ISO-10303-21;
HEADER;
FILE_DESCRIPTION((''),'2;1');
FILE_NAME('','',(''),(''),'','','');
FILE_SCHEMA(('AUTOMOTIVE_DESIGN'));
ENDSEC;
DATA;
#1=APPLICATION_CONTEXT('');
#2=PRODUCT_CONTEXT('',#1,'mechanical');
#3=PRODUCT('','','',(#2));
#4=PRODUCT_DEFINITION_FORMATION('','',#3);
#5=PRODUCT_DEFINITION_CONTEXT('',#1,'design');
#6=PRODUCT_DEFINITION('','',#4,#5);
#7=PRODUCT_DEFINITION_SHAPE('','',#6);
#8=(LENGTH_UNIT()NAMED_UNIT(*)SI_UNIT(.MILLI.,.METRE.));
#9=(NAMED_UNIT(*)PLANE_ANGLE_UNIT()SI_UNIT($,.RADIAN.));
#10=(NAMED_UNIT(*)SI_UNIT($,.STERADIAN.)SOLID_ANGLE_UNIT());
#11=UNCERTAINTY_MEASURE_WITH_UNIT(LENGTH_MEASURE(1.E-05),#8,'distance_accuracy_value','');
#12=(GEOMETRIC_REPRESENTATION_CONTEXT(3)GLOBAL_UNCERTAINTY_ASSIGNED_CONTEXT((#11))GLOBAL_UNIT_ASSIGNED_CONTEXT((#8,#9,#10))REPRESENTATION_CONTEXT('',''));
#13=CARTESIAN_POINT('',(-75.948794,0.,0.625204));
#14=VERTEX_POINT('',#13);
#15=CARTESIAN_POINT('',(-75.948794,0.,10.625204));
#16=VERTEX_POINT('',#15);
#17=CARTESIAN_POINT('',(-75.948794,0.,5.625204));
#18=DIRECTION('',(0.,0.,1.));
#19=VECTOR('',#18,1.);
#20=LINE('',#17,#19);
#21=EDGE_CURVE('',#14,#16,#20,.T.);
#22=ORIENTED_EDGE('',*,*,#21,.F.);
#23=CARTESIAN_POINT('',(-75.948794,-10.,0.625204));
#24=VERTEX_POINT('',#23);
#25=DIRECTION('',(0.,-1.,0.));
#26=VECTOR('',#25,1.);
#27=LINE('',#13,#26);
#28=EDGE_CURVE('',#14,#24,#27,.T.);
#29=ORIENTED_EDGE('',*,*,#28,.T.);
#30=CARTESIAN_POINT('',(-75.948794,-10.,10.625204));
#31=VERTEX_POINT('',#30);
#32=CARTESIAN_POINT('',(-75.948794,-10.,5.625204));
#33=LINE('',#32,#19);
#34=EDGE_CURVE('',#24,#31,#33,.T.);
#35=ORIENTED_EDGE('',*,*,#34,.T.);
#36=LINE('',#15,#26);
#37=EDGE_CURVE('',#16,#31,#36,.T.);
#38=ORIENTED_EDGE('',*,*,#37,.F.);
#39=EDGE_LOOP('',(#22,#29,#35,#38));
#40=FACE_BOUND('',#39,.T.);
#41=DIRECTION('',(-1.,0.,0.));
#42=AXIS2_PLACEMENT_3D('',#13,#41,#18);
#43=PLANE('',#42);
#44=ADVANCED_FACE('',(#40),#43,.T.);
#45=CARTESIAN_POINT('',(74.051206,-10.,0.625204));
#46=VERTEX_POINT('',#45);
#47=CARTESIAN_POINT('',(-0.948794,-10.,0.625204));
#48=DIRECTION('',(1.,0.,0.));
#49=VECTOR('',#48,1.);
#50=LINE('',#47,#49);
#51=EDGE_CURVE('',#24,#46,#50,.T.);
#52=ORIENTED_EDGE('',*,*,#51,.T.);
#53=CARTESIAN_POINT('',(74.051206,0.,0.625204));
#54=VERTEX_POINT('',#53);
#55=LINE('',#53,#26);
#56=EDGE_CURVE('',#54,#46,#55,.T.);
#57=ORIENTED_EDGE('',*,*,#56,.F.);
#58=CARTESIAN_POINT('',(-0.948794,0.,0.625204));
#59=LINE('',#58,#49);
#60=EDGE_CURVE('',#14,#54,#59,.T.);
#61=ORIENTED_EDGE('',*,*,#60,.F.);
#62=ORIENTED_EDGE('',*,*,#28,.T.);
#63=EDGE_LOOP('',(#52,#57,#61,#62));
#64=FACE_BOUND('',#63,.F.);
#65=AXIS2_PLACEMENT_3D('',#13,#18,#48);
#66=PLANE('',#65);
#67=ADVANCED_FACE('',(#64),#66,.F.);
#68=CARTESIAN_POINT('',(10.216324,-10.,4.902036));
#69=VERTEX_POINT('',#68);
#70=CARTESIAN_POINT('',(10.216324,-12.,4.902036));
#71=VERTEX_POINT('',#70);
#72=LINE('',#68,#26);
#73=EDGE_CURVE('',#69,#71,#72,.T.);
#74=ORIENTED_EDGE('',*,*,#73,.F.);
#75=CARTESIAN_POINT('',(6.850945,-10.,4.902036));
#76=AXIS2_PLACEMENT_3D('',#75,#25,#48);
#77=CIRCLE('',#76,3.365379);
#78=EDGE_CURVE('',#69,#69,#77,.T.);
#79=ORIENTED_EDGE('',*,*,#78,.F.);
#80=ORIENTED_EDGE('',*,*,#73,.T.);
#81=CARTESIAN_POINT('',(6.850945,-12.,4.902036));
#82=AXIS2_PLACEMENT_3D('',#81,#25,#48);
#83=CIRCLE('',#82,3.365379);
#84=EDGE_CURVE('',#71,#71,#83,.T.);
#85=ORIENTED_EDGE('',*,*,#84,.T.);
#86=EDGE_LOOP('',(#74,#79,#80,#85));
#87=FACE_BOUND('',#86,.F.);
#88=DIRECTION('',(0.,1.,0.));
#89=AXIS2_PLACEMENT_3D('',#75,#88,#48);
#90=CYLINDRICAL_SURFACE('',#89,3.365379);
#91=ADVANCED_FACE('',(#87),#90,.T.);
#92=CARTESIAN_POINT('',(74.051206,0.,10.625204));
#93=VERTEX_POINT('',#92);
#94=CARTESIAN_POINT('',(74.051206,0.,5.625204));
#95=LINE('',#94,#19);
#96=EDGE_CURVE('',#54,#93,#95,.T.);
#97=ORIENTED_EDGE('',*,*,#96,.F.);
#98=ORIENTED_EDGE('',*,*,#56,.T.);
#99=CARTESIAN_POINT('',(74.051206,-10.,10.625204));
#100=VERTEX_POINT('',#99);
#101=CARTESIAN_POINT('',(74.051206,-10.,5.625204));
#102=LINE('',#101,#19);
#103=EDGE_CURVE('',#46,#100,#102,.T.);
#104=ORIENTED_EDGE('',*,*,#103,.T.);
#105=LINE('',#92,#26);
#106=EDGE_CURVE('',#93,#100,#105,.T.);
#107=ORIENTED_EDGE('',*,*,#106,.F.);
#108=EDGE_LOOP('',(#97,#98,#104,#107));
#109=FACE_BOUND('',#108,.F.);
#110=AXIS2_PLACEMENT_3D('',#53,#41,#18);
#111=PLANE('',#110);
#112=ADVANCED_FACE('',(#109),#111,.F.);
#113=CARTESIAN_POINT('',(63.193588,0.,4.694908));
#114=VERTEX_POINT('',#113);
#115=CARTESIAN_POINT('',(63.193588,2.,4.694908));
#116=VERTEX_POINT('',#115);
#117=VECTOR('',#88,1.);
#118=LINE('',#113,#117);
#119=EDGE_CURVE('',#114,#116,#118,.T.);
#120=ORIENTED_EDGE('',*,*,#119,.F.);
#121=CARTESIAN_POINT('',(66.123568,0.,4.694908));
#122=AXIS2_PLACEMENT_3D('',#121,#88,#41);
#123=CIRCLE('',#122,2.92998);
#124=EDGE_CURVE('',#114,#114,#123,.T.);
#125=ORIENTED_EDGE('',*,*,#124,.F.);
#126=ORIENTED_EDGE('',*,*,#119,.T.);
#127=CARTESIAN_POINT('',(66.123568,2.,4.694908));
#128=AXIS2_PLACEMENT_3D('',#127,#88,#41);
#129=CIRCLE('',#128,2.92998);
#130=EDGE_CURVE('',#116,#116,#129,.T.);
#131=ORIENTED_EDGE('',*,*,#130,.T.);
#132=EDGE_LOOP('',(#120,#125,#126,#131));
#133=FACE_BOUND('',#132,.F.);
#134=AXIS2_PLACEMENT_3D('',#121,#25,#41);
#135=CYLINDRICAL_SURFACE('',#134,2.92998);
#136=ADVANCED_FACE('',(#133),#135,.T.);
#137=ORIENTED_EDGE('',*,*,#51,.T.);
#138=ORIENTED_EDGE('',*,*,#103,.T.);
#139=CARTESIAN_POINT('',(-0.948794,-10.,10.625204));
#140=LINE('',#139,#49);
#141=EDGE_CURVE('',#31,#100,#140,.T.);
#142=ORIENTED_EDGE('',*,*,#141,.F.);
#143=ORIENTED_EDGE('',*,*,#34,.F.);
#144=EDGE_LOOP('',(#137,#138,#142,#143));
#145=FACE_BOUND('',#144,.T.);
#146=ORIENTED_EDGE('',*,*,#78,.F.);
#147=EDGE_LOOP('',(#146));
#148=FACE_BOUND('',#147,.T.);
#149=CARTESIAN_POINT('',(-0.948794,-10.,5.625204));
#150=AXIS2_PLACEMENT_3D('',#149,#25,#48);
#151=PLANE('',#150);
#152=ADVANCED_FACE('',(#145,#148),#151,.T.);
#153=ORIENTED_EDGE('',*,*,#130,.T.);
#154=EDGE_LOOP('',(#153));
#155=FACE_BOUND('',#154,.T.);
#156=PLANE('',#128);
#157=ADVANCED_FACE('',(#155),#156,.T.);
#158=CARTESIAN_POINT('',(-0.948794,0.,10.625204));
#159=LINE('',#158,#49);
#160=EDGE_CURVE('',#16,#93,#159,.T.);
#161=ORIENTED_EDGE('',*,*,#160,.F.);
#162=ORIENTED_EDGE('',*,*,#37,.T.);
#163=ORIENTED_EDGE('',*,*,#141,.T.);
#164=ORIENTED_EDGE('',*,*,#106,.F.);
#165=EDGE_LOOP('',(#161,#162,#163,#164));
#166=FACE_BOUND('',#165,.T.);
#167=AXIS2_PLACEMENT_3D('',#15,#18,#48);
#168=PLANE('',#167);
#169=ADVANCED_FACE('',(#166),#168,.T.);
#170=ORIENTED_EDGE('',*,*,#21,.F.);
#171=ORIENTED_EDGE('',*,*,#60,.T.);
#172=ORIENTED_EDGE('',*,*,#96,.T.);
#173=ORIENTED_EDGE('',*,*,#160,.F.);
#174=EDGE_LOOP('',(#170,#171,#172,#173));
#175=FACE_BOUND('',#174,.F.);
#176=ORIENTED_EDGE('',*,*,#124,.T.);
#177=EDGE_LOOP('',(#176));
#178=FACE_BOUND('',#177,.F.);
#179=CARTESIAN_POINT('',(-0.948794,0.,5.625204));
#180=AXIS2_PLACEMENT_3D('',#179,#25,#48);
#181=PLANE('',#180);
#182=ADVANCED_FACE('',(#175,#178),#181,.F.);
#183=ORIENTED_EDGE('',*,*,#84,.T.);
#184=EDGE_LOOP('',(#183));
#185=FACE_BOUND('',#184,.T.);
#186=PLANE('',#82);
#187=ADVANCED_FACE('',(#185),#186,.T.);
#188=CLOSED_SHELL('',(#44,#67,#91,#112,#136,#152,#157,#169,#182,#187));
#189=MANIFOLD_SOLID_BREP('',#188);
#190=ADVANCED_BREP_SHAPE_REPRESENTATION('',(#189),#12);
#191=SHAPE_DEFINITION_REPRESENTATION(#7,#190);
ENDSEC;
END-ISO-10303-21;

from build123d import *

# Parameters (mm, degrees)
F0_W     = 150
F0_H     = 10
F1_DEPTH = 10
F3_R     = 3.365379
F4_DEPTH = 2
F2_R     = 2.92998
F5_DEPTH = 2


with BuildPart() as f1:
    # F0 (on Front) → F1 (new body)
    with BuildSketch(Plane.XZ):
        with Locations((-0.948794, 5.625204)):
            Rectangle(F0_W, F0_H)
    extrude(amount=F1_DEPTH)

    # F3 (on face) → F4 (join)
    with BuildSketch(Plane.XZ.offset(10)):
        with Locations((6.850945, 4.902036)):
            Circle(F3_R)
    extrude(amount=F4_DEPTH)

    # F2 (on face) → F5 (join)
    with BuildSketch(Plane(origin=(0, 0, 0), x_dir=(-1, 0, 0), z_dir=(0, 1, 0))):
        with Locations((-66.123568, 4.694908)):
            Circle(F2_R)
    extrude(amount=F5_DEPTH)


solid = f1.part
